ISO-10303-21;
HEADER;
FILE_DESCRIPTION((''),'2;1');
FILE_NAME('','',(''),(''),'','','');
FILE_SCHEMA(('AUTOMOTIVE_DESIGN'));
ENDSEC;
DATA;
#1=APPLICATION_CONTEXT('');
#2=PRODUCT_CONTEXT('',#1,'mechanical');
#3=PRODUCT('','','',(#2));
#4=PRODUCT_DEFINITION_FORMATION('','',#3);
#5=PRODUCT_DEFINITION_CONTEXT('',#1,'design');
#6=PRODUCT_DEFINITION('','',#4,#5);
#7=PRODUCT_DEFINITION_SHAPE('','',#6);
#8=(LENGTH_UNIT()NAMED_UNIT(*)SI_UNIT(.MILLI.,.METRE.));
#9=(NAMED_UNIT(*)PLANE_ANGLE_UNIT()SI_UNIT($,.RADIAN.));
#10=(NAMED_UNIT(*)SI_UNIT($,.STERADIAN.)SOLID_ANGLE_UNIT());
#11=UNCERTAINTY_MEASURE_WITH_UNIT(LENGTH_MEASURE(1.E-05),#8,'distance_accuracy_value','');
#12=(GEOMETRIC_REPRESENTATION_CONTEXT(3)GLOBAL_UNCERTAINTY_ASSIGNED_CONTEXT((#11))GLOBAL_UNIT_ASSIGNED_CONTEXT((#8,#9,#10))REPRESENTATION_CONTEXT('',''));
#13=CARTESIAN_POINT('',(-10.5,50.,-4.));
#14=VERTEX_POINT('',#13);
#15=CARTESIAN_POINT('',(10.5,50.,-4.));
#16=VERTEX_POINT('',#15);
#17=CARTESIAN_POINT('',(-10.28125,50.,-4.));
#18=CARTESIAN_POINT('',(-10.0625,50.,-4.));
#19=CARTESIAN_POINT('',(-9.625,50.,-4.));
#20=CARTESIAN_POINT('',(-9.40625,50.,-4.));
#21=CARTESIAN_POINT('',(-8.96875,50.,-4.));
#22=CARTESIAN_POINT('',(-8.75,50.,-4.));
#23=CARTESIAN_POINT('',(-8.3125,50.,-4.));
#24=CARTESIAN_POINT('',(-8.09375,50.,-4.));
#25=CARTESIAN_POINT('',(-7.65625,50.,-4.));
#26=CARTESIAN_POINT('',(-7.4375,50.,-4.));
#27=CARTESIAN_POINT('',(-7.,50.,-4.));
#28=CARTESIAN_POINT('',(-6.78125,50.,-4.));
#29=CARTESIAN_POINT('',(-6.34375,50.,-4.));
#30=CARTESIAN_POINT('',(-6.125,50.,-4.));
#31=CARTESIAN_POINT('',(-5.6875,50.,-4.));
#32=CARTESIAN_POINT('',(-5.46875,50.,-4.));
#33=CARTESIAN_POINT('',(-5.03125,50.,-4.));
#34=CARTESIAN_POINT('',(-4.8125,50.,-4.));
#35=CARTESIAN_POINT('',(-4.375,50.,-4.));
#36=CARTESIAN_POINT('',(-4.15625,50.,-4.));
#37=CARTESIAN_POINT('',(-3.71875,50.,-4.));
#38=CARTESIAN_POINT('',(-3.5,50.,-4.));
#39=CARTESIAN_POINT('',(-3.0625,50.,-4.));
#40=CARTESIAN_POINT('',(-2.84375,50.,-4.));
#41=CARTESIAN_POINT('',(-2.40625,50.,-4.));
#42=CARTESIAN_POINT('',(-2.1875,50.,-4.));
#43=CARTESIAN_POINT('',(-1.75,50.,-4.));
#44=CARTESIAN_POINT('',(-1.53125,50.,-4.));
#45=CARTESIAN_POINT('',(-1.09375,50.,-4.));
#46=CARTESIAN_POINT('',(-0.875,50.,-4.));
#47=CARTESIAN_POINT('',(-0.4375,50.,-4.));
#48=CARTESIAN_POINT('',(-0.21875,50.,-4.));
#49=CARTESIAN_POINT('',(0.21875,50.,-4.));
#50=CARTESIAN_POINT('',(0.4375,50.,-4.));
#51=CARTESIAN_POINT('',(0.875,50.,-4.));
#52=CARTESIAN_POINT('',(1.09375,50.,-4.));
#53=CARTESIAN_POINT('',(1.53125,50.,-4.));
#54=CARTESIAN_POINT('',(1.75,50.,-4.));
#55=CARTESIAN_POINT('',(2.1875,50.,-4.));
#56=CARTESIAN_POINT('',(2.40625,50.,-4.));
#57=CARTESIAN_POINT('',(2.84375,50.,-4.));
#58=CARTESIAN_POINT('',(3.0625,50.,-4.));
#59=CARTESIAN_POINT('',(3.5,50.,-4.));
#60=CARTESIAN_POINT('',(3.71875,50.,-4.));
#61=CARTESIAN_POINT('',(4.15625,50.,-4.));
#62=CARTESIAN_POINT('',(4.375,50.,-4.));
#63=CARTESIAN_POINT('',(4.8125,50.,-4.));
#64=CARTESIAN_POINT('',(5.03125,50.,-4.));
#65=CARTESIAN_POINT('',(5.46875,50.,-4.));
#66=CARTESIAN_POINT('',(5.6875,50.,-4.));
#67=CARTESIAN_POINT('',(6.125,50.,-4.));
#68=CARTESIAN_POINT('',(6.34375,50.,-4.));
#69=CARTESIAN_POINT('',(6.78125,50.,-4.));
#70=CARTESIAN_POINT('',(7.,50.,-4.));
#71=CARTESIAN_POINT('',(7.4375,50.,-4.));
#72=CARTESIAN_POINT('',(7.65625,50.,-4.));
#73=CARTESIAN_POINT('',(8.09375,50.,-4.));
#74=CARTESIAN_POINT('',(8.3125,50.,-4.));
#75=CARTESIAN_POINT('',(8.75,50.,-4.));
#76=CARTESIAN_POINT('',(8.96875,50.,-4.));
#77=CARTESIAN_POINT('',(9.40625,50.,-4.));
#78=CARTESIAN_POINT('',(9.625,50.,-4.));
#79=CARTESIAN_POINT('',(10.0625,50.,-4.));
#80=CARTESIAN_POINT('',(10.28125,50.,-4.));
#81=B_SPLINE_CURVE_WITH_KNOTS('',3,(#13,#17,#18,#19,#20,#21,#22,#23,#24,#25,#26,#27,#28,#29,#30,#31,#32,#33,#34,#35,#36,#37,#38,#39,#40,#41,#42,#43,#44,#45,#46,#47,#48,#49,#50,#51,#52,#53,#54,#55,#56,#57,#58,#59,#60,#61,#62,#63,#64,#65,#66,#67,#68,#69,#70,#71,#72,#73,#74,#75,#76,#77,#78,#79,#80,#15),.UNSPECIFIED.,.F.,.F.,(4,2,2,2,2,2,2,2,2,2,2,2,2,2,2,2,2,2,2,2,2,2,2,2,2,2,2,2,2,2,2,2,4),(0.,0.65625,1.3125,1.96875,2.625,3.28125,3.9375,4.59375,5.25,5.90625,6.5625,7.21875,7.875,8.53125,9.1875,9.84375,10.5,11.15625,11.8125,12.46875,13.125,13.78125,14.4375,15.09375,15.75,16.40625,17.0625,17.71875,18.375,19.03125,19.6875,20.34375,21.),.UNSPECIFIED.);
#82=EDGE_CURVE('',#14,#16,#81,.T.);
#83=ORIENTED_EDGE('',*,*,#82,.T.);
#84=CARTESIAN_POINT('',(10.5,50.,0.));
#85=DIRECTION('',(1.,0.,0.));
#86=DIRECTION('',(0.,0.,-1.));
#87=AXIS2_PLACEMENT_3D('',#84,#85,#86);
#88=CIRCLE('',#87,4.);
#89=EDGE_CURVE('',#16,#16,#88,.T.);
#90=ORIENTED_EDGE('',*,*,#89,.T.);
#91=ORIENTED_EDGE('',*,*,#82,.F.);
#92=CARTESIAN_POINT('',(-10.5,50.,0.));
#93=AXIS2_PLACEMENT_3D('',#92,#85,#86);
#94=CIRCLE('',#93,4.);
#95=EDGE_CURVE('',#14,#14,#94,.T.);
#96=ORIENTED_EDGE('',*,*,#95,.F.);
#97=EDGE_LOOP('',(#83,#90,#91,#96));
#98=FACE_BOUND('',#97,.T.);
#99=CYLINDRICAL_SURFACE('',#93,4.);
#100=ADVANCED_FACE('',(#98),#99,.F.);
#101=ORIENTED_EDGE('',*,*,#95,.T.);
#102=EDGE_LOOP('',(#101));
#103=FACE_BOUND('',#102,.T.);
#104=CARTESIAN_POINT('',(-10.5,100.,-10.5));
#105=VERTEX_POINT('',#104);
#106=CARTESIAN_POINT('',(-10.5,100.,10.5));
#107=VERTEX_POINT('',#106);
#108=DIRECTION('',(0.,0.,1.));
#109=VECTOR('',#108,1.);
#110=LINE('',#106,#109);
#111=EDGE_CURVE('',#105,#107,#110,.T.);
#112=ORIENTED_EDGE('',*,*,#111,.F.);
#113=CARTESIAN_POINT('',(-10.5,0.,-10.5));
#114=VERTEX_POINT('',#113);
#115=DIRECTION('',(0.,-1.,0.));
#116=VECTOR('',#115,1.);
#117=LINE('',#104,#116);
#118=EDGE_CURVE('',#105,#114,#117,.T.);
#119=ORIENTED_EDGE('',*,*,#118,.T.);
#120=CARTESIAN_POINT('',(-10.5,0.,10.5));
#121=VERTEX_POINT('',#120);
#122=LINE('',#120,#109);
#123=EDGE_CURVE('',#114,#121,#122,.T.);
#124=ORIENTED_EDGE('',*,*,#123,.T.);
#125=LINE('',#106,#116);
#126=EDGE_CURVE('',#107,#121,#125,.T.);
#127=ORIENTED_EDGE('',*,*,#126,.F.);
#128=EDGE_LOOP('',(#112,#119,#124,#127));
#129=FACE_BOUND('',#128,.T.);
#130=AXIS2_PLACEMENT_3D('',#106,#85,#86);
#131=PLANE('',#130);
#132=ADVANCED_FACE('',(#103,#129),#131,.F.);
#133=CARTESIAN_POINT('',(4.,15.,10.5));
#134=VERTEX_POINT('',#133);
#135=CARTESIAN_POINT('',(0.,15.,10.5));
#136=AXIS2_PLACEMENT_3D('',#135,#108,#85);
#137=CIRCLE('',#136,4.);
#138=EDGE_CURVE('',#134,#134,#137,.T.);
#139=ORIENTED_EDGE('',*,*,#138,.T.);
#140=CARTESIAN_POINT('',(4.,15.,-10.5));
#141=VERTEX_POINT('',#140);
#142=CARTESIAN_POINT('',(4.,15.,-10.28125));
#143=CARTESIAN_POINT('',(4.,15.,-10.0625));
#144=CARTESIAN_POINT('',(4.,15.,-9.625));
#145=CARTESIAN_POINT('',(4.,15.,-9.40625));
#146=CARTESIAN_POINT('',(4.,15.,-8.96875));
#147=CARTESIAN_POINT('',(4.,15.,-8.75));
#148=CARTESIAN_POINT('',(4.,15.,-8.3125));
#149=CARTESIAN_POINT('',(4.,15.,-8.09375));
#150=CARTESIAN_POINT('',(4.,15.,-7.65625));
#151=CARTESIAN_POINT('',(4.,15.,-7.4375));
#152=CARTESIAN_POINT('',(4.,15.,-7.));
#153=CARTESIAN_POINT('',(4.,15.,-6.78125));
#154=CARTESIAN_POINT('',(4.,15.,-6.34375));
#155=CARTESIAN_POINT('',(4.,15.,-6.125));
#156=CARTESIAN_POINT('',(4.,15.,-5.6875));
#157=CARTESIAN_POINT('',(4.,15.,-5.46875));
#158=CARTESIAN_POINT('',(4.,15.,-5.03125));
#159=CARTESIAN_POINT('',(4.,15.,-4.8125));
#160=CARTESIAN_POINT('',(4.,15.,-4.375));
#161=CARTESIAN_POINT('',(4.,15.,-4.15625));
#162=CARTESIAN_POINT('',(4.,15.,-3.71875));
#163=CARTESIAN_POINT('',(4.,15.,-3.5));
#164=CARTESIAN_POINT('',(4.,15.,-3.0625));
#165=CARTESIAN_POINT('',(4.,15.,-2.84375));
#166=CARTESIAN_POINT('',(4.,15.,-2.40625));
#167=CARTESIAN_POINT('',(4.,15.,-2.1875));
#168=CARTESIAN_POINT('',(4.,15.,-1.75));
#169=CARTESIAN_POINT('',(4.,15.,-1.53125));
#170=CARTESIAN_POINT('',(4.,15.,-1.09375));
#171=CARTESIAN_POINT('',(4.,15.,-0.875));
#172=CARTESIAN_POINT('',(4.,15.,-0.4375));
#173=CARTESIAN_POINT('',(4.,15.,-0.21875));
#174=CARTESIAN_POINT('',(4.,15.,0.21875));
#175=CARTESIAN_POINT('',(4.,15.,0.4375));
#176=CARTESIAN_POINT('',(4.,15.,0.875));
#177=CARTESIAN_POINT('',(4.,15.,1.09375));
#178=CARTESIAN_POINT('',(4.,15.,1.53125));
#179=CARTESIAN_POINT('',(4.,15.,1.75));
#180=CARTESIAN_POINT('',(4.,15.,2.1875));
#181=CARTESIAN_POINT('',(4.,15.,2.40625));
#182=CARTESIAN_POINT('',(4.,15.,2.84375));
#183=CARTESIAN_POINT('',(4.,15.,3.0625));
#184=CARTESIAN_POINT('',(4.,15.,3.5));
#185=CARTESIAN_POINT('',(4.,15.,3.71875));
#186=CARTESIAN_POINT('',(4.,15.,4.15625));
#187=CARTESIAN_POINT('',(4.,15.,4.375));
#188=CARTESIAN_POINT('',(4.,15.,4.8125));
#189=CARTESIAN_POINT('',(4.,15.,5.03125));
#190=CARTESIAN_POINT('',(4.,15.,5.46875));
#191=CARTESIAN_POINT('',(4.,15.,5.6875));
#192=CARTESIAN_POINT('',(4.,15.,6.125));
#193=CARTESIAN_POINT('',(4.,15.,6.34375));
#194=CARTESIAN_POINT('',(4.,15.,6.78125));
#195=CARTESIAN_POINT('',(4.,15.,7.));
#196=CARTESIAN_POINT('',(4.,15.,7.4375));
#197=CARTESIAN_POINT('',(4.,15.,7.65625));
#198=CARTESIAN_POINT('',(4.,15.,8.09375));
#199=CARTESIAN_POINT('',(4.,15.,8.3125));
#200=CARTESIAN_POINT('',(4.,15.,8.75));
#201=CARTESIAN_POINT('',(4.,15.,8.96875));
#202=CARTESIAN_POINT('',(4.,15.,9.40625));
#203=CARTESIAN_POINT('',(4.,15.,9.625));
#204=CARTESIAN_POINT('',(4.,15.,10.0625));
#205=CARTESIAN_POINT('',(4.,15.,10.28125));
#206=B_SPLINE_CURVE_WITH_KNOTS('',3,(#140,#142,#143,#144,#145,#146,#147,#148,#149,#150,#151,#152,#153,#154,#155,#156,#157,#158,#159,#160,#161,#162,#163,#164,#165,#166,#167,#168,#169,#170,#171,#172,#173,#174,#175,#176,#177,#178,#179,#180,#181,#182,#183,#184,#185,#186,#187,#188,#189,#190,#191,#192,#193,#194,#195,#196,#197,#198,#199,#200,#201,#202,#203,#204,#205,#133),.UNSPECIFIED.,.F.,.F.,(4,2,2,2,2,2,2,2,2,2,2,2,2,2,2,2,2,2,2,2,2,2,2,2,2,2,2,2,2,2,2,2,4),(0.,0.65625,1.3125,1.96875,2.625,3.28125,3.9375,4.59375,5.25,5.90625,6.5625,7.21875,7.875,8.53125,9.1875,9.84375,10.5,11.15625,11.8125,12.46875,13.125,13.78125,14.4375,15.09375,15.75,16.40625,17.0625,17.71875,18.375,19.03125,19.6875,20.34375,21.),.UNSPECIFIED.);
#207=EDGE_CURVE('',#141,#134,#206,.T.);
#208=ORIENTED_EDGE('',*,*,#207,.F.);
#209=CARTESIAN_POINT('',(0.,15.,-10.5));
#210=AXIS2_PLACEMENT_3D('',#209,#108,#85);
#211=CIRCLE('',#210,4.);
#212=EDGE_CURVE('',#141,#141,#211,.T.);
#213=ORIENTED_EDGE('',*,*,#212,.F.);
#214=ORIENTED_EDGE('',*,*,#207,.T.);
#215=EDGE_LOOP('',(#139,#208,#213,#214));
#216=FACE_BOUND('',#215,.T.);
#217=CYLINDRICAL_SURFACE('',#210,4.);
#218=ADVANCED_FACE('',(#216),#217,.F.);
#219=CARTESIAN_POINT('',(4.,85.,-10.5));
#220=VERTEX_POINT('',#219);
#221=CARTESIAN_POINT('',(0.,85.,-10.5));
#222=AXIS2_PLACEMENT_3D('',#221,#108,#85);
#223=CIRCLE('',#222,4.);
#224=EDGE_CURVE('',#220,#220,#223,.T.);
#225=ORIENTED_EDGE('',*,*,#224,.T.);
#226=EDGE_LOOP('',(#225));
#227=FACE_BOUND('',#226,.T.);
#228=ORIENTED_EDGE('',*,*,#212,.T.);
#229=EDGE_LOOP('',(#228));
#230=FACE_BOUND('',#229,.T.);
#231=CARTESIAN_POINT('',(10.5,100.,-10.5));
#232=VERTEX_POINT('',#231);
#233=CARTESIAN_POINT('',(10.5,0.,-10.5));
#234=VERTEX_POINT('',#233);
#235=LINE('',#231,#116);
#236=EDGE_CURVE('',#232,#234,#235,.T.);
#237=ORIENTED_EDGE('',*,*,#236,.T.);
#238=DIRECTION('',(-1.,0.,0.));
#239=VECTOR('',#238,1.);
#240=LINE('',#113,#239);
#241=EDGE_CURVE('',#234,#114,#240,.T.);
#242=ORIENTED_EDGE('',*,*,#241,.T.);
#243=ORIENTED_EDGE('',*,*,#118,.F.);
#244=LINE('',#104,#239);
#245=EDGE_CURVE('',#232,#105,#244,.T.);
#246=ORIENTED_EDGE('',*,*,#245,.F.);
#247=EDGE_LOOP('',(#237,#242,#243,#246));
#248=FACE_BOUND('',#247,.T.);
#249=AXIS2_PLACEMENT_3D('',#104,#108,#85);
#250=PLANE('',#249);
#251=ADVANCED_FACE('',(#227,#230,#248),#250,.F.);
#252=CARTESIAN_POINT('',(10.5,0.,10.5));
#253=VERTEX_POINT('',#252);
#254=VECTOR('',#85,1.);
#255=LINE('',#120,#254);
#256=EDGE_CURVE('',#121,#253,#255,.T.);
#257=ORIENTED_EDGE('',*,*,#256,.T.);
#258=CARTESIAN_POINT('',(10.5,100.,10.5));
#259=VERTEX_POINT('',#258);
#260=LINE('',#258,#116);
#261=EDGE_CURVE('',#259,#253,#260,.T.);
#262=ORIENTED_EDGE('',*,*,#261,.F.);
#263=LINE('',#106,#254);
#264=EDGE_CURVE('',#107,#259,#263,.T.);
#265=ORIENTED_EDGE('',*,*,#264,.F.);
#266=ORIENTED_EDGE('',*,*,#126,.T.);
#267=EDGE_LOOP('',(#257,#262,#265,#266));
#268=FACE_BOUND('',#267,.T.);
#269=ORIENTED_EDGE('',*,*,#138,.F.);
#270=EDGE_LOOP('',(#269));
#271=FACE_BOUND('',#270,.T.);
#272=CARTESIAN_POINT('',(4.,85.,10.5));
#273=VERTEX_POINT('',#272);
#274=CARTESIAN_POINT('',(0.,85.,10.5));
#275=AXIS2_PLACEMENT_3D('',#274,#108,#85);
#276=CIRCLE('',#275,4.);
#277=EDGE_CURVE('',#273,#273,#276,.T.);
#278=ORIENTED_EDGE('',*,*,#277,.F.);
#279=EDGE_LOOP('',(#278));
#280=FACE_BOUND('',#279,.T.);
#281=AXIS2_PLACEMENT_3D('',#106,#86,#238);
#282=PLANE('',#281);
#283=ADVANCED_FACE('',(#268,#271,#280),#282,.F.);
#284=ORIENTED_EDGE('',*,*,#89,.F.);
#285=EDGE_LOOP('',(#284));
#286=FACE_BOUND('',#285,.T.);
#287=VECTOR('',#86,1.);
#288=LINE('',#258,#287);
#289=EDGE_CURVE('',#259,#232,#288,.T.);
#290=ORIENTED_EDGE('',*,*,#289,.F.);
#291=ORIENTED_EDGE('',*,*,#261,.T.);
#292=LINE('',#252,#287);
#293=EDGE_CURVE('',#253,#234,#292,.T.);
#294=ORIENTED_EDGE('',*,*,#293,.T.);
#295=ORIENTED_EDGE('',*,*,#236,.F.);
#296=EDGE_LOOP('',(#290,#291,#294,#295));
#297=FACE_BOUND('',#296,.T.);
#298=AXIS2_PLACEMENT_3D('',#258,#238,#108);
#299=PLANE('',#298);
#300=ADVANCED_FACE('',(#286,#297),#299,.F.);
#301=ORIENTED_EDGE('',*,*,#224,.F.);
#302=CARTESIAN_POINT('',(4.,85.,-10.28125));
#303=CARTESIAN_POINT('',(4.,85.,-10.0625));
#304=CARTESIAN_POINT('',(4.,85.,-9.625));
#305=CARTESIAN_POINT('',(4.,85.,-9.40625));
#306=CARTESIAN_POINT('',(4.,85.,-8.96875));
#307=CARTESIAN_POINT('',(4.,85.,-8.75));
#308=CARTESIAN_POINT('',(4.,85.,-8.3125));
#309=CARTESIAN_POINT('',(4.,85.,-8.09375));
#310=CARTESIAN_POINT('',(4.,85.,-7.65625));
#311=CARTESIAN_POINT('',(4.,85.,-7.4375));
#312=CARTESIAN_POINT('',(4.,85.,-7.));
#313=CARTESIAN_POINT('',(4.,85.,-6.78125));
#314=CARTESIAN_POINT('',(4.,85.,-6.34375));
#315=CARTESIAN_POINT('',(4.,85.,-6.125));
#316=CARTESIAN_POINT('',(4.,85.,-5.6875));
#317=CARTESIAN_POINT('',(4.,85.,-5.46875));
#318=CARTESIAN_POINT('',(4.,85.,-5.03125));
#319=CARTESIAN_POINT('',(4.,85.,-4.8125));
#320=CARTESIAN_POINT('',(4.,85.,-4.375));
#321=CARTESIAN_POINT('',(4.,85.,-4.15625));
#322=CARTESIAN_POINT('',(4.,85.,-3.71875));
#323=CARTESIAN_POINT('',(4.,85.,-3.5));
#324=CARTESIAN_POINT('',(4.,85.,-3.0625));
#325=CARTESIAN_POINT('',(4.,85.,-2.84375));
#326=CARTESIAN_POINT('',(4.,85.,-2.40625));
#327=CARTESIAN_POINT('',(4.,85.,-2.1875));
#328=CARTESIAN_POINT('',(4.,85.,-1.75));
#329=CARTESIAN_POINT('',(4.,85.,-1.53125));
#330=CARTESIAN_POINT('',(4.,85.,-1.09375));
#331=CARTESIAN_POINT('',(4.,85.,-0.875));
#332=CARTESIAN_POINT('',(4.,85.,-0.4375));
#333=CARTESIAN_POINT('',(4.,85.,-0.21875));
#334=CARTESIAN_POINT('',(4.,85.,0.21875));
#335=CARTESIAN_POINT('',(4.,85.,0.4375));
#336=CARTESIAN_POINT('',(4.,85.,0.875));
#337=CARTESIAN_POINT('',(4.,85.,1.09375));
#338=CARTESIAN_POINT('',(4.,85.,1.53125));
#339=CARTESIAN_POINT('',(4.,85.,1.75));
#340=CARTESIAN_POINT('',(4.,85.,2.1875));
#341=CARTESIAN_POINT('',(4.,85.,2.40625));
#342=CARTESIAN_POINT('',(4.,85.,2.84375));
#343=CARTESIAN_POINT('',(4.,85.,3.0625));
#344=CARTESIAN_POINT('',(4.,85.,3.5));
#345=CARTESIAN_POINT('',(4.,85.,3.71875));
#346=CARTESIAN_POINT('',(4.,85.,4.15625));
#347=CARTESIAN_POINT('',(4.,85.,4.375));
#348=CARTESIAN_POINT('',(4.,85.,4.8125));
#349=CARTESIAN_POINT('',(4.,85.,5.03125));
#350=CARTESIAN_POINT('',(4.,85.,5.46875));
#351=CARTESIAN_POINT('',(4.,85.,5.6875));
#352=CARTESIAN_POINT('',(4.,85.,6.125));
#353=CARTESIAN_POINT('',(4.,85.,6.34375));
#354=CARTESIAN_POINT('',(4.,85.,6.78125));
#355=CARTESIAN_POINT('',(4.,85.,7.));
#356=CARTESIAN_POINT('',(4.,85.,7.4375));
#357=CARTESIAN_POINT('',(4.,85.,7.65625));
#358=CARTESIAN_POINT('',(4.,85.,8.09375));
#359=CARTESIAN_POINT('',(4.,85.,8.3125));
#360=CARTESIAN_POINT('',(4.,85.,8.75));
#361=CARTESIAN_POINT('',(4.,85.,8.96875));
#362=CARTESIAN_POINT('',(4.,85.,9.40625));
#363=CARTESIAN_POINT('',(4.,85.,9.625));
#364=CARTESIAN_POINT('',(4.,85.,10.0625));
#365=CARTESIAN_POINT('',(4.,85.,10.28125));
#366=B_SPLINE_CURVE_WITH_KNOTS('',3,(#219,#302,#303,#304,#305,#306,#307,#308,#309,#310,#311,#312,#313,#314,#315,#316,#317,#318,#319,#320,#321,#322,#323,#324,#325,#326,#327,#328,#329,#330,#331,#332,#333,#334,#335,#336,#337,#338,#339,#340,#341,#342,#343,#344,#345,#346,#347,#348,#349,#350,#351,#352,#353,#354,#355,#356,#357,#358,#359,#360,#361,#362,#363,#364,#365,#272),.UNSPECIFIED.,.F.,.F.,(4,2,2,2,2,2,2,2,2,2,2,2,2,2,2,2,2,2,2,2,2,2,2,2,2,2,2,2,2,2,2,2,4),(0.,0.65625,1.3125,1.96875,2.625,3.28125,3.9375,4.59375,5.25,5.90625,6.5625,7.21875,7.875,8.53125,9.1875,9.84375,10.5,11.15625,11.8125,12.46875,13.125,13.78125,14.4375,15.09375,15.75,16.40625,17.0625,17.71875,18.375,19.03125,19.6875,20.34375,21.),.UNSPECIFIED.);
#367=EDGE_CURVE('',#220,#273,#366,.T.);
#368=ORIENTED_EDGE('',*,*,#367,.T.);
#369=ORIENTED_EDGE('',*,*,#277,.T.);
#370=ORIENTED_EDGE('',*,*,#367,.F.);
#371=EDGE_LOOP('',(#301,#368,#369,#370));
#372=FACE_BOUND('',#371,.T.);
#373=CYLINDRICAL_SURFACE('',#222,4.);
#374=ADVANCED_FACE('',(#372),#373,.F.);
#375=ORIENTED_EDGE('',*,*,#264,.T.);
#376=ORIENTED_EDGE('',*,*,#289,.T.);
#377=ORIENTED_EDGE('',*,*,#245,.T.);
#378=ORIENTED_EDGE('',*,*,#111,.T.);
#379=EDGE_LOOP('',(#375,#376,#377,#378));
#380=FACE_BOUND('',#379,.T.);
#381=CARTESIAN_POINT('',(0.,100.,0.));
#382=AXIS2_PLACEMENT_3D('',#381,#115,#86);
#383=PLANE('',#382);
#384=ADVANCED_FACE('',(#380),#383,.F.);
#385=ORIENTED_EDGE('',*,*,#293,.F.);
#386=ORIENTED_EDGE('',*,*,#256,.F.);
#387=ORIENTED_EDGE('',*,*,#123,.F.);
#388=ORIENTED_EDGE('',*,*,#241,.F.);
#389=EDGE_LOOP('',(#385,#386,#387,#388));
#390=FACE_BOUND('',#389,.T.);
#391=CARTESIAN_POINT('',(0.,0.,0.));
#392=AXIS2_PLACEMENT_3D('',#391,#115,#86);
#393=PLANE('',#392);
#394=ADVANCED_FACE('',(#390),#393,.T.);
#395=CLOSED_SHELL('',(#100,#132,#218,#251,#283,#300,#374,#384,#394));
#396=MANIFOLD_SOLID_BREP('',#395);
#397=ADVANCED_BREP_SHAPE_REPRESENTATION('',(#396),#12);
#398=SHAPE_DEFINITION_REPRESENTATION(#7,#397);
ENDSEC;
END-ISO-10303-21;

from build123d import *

# Parameters (mm, degrees)
SKETCH1_W           = 21
SKETCH1_H           = 21
BOSS_EXTRUDE1_DEPTH = 100
SKETCH2_R           = 4
CUT_EXTRUDE1_DEPTH  = 103.719277645
SKETCH4_R           = 4
CUT_EXTRUDE2_DEPTH  = 103.719277645


with BuildPart() as part:
    # Sketch1 → Boss-Extrude1 (new body)
    with BuildSketch(Plane(origin=(0, 0, 0), x_dir=(1, 0, 0), z_dir=(0, 1, 0))):
        Rectangle(SKETCH1_W, SKETCH1_H)
    extrude(amount=BOSS_EXTRUDE1_DEPTH)

    # Sketch2 → Cut-Extrude1 (cut, through all)
    with BuildSketch(Plane.XY.offset(10.5)):
        with Locations((0, 85)):
            Circle(SKETCH2_R)
        with Locations((0, 15)):
            Circle(SKETCH2_R)
    extrude(amount=-CUT_EXTRUDE1_DEPTH, mode=Mode.SUBTRACT)

    # Sketch4 → Cut-Extrude2 (cut, through all)
    with BuildSketch(Plane(origin=(10.5, 0, 0), x_dir=(0, 0, -1), z_dir=(1, 0, 0))):
        with Locations((0, 50)):
            Circle(SKETCH4_R)
    extrude(amount=-CUT_EXTRUDE2_DEPTH, mode=Mode.SUBTRACT)


solid = part.part
